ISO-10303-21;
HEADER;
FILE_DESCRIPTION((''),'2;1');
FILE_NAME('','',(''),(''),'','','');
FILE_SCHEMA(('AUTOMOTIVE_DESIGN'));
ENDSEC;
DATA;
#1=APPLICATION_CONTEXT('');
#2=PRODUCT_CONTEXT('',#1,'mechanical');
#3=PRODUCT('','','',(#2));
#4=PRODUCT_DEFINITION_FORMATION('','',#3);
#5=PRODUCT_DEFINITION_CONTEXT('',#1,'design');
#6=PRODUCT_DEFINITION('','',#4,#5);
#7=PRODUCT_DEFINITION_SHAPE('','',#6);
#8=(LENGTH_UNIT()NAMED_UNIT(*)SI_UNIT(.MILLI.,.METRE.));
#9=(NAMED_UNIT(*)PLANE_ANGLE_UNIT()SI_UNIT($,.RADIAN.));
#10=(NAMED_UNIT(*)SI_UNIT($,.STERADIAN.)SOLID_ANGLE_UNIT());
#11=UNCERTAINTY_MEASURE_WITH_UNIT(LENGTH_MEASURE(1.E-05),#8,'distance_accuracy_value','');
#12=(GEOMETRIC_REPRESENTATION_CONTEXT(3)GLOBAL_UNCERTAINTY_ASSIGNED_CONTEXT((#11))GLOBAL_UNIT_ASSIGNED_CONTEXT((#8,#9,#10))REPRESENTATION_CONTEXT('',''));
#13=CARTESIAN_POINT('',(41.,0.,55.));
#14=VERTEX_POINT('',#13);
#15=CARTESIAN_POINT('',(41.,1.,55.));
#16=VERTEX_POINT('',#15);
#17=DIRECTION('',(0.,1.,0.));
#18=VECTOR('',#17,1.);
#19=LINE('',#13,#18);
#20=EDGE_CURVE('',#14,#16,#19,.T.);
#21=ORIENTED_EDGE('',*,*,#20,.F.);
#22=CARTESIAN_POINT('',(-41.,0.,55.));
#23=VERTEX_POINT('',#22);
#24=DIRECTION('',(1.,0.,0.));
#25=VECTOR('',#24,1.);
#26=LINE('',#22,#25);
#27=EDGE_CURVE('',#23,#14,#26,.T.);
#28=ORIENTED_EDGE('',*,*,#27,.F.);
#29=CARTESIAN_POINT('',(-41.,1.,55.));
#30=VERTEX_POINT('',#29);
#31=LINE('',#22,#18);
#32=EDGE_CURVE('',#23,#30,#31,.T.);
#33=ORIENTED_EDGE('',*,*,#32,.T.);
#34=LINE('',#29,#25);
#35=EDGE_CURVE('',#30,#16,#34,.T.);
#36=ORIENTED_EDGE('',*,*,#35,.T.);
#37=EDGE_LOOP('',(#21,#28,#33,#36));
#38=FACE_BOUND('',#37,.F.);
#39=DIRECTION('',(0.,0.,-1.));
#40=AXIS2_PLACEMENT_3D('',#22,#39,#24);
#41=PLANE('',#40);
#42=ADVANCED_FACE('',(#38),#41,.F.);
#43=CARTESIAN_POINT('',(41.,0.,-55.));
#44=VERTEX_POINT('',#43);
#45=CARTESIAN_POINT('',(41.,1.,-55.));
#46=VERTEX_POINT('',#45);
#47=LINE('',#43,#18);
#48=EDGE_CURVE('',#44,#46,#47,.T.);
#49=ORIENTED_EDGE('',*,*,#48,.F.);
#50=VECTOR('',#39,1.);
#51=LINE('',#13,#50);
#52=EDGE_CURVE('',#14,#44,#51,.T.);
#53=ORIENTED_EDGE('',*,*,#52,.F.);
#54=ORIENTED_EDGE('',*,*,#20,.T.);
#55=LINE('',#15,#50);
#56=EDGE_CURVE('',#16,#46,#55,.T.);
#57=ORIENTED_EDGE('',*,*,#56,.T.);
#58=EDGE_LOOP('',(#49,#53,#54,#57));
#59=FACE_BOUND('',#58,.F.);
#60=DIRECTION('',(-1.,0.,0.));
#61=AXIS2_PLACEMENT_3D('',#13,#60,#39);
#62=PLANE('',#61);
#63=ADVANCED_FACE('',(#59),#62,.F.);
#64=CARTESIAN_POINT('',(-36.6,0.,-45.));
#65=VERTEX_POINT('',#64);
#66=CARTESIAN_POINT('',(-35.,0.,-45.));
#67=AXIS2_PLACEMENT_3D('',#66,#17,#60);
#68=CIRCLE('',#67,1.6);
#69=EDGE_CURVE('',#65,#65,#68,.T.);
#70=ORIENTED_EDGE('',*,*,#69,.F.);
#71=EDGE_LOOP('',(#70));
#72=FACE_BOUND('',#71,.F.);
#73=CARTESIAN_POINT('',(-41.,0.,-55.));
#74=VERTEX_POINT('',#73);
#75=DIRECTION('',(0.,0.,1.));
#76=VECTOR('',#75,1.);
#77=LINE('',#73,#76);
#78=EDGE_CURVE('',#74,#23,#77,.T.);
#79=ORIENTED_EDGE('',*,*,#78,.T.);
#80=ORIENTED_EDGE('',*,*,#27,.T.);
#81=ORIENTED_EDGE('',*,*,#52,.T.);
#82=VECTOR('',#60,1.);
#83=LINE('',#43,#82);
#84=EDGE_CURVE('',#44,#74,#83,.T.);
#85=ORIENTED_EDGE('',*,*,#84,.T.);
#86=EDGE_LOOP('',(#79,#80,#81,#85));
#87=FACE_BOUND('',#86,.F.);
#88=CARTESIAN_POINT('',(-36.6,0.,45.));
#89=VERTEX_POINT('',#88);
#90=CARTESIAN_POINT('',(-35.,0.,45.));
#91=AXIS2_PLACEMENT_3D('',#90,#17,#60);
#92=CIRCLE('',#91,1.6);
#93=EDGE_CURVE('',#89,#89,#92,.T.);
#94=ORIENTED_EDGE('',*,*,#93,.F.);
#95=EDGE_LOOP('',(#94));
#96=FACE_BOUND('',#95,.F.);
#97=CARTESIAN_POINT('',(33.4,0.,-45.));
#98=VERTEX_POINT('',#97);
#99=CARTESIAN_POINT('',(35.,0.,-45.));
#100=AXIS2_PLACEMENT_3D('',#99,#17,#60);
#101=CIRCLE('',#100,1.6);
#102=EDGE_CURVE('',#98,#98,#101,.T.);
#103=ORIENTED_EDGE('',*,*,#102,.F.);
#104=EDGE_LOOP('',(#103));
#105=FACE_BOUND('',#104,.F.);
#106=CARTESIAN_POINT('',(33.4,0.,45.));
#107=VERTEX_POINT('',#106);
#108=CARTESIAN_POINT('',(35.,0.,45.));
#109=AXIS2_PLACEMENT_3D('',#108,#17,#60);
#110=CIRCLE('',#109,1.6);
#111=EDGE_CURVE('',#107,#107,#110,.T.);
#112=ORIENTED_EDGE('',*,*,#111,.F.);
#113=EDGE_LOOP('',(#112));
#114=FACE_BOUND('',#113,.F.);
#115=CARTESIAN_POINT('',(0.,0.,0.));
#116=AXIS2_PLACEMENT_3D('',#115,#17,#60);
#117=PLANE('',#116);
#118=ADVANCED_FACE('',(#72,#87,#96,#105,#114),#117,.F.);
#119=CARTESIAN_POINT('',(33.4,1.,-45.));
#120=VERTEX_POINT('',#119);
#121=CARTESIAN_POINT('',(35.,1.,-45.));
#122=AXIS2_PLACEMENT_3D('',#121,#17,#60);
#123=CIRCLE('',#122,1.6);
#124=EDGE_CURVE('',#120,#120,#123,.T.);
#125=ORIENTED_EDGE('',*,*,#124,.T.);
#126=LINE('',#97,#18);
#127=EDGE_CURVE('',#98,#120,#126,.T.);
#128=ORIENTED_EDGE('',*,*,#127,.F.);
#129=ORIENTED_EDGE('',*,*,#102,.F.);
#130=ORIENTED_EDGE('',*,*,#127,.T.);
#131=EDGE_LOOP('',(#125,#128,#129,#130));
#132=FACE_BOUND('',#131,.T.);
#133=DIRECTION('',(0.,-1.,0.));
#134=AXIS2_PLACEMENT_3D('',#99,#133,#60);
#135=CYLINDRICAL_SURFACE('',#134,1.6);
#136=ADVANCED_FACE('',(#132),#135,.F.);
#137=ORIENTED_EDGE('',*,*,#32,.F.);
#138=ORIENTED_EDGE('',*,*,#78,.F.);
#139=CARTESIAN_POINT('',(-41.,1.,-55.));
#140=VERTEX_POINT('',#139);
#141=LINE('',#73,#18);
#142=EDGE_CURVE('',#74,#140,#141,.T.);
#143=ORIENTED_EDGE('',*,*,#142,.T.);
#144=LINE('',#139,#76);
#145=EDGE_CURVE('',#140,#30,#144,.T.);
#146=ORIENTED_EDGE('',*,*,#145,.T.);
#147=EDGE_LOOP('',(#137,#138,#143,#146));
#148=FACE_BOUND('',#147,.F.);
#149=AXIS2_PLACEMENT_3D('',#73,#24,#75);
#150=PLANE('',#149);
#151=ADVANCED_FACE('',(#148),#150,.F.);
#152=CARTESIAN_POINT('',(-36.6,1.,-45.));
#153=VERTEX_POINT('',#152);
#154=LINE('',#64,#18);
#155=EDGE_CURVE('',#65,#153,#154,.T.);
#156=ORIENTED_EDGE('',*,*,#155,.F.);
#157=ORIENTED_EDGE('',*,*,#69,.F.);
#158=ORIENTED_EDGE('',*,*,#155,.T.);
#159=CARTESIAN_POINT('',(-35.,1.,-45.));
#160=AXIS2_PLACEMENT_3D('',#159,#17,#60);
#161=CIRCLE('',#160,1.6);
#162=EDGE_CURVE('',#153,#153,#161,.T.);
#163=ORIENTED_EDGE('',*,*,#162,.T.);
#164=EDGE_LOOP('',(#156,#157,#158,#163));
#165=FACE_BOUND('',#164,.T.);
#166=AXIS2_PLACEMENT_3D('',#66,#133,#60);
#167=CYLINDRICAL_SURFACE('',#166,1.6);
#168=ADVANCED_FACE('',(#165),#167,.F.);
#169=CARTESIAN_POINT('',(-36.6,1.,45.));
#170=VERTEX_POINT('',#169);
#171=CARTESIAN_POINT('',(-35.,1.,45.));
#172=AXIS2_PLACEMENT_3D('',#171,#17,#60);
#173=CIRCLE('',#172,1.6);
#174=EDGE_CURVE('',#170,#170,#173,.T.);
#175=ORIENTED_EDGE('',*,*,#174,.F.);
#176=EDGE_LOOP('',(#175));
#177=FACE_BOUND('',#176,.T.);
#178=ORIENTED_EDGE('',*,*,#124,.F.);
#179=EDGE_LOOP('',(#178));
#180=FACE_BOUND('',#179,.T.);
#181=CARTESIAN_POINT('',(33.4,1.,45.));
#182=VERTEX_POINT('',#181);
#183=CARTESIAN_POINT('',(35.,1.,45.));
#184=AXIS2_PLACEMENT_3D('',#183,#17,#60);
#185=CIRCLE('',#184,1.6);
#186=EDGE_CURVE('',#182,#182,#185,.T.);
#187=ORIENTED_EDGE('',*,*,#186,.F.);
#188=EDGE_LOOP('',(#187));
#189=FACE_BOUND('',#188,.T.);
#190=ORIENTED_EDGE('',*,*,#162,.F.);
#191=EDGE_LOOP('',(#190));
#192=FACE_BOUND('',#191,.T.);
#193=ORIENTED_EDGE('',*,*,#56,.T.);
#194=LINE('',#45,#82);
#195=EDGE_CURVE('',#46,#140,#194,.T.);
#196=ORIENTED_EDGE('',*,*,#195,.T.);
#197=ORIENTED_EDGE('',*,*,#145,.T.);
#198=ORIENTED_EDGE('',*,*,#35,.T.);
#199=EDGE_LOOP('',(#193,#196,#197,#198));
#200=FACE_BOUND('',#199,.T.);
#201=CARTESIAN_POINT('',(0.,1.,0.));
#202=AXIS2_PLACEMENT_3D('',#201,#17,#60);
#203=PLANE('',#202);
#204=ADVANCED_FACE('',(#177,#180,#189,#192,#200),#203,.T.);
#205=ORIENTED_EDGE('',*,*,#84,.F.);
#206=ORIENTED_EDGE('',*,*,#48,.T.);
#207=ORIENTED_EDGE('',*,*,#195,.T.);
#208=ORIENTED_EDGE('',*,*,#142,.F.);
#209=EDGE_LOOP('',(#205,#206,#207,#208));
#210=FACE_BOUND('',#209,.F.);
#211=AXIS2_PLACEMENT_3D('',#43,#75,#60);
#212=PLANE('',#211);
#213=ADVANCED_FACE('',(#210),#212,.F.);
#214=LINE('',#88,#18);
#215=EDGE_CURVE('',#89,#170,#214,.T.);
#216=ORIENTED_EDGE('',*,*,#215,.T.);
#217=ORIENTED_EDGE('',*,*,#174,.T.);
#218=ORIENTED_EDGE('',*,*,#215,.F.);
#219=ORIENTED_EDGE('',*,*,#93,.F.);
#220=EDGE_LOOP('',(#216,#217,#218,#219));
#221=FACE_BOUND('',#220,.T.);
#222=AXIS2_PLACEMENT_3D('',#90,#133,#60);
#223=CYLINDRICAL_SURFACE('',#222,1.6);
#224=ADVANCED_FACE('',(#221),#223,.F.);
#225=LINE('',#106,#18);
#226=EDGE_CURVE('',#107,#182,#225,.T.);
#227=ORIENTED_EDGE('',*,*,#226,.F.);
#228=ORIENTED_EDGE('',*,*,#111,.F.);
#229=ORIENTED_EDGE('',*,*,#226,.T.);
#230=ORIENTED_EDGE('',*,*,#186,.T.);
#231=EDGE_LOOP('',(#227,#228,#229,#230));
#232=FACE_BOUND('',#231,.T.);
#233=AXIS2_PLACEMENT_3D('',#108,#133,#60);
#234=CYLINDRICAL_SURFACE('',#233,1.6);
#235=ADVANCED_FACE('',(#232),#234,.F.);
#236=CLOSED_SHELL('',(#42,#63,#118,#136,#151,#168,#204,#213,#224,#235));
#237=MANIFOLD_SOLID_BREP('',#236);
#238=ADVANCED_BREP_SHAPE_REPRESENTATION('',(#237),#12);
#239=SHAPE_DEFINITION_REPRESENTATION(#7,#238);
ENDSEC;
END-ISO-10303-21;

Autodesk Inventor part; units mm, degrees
ref_plane "YZ Plane" through (0, 0, 0) normal (1, 0, 0) x (0, 1, 0)
ref_plane "XZ Plane" through (0, 0, 0) normal (0, 1, 0) x (-1, 0, 0)
ref_plane "XY Plane" through (0, 0, 0) normal (0, 0, 1) x (1, 0, 0)
sketch "Sketch1" plane through (0, 0, 0) normal (0, 1, 0) x (-1, 0, 0)
  line L0 (-35, 45) -> (35, 45) construction
  line L1 (35, 45) -> (35, -45) construction
  line L2 (35, -45) -> (-35, -45) construction
  line L3 (-35, -45) -> (-35, 45) construction
  line L4 (-35, 45) -> (35, -45) construction
  line L5 (35, 45) -> (-35, -45) construction
  line L6 (-41, -55) -> (41, -55)
  line L7 (41, -55) -> (41, 55)
  line L8 (41, 55) -> (-41, 55)
  line L9 (-41, 55) -> (-41, -55)
  line L10 (-41, -55) -> (41, 55) construction
  line L11 (41, -55) -> (-41, 55) construction
  circle A0 centre (35, 45) radius 1.6
  circle A1 centre (35, -45) radius 1.6
  circle A2 centre (-35, -45) radius 1.6
  circle A3 centre (-35, 45) radius 1.6
  point P0 (0, 0)
  dimension "d0" = 70
  dimension "d1" = 90
  dimension "d2" = 82
  dimension "d3" = 110
  dimension "d4" = 3.2
  dimension "d5" = 3.2
  dimension "d6" = 3.2
  dimension "d7" = 3.2
extrude "Extrusion1" add sketch "Sketch1" along normal blind 1
sketch "Sketch2" plane through (0, 1, 0) normal (0, 1, 0) x (1, 0, 0)
  line L0 (-40.4315, -54.7325) -> (-40.4315, 56.2757) construction
  line L1 (-40.4315, 56.2757) -> (41.3362, 56.2757) construction
  line L2 (41.3362, 56.2757) -> (41.3362, -54.7325) construction
  line L3 (41.3362, -54.7325) -> (-40.4315, -54.7325) construction
  point P0 (0, 0)
properties part number "PCB"
